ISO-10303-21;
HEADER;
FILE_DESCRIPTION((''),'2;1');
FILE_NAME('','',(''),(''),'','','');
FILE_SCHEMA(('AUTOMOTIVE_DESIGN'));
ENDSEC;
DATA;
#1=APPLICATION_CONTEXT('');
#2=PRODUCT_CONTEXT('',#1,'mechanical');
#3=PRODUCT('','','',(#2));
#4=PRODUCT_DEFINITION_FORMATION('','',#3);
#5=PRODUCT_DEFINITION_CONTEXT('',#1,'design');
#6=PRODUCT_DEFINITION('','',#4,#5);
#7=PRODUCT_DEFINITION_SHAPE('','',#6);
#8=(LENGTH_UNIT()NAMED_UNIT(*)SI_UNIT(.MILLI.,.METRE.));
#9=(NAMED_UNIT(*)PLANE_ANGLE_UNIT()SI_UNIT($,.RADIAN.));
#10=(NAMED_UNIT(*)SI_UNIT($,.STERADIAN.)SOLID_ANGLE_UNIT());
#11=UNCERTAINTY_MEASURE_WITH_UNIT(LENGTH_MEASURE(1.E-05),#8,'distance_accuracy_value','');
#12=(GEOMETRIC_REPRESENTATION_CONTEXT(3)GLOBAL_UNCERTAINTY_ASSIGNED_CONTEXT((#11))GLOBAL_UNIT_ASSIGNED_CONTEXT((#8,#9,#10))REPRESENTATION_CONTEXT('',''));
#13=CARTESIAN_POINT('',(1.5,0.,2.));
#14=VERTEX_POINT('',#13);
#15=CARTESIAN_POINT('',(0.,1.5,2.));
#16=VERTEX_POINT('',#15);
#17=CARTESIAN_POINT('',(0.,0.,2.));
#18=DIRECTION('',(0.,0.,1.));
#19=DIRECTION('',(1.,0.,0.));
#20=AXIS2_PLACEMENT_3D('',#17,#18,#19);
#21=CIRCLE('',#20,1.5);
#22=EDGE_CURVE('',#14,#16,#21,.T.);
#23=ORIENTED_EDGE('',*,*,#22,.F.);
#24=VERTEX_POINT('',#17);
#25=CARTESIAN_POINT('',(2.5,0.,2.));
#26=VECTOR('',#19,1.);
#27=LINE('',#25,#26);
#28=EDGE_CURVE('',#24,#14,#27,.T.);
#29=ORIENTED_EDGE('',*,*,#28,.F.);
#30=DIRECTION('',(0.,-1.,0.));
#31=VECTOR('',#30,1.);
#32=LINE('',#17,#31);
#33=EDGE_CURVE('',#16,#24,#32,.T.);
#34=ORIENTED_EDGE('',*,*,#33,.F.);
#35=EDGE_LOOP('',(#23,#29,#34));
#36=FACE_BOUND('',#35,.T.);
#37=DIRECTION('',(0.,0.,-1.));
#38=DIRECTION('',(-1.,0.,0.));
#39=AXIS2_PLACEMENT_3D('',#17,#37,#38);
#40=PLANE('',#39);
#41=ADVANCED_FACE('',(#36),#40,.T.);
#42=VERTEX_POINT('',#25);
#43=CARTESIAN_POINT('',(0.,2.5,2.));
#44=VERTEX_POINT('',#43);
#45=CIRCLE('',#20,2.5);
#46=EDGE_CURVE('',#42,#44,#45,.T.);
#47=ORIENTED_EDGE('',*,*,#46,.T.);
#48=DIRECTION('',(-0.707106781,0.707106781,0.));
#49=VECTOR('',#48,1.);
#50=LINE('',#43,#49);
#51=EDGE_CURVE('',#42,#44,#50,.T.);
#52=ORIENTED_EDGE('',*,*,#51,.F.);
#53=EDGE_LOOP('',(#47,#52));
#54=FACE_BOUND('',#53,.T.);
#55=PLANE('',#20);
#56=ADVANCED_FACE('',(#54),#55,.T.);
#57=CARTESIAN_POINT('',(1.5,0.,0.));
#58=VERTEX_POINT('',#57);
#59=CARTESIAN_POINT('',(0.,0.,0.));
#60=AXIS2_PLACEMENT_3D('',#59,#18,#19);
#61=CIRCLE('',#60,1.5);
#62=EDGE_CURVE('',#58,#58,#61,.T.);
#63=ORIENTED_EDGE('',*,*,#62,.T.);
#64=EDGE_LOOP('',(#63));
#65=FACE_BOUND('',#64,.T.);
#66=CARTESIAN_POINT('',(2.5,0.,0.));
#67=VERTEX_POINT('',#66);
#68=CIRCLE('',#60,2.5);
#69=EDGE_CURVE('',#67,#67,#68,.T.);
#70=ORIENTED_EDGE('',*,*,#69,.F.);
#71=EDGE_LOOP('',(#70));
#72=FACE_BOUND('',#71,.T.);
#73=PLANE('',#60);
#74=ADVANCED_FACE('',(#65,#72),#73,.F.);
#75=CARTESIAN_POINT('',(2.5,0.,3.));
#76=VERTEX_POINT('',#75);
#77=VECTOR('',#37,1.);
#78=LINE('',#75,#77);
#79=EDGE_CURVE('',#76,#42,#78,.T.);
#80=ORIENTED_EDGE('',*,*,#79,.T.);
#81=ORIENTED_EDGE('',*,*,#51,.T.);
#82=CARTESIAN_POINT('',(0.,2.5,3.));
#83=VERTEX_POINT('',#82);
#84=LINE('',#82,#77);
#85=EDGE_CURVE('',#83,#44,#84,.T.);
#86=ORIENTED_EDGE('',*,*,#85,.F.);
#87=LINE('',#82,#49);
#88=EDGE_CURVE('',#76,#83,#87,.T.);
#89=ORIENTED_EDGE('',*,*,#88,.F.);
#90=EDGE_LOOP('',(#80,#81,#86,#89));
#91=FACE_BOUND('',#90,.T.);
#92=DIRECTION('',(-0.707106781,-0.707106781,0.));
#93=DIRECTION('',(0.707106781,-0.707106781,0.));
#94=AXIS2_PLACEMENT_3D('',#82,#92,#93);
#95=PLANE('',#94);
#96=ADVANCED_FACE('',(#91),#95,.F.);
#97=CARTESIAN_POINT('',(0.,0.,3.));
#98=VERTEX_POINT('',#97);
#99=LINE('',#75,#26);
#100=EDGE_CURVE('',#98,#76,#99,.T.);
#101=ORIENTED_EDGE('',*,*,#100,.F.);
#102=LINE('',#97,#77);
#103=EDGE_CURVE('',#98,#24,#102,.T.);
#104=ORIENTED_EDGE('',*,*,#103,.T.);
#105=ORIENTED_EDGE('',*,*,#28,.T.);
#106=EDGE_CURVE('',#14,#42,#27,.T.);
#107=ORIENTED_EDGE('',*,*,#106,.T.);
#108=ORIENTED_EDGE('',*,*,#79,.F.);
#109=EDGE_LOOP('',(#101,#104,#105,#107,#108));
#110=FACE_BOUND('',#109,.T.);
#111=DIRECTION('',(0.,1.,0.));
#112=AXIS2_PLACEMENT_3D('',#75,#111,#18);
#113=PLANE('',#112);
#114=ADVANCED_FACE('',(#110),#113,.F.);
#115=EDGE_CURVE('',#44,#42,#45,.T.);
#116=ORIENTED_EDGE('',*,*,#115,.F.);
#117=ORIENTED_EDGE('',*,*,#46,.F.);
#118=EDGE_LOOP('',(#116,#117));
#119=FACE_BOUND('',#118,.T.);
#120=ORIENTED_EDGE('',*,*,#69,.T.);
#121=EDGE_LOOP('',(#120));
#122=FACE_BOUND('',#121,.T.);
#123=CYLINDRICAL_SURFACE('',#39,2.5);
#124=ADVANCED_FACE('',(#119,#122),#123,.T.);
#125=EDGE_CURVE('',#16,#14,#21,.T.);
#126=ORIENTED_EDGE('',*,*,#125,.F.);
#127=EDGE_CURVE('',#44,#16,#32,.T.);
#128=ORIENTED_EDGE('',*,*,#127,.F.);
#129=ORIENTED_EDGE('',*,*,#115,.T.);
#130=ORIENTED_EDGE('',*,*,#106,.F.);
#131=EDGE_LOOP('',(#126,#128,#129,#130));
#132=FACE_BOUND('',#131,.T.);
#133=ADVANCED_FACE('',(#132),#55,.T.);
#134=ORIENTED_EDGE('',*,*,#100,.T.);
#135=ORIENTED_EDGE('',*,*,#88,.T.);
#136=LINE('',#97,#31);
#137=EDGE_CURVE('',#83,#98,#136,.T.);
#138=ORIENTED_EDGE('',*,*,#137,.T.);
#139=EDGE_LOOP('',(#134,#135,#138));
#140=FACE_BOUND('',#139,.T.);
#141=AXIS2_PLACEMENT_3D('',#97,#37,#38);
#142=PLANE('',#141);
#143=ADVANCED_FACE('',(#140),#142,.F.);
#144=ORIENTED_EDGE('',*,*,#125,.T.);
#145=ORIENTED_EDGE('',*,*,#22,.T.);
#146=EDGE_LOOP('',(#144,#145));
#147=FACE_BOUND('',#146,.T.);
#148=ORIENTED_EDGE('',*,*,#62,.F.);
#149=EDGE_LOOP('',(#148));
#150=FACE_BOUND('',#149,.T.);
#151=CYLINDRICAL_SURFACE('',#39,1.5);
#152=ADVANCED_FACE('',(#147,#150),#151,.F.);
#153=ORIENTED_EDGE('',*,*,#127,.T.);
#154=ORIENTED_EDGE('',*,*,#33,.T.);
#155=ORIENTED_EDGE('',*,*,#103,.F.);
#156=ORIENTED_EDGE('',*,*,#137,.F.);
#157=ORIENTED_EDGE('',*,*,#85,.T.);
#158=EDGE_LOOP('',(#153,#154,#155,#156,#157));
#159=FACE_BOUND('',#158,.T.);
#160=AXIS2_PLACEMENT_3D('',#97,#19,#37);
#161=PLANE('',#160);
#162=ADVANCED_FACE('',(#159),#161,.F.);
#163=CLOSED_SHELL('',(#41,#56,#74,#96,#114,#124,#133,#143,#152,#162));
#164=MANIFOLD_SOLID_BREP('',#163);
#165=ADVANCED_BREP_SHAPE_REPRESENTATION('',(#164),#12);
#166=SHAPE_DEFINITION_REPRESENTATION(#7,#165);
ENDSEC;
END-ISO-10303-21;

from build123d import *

# Parameters (mm, degrees)
ESQUISSE1_R        = 2.5
ESQUISSE1_R_2      = 1.5
BOSS_EXTRU_1_DEPTH = 2
BOSS_EXTRU_2_DEPTH = 1


with BuildPart() as part:
    # Esquisse1 → Boss.-Extru.1 (new body)
    with BuildSketch(Plane.XY):
        Circle(ESQUISSE1_R)
        Circle(ESQUISSE1_R_2, mode=Mode.SUBTRACT)
    extrude(amount=BOSS_EXTRU_1_DEPTH)

    # Esquisse2 → Boss.-Extru.2 (add)
    with BuildSketch(Plane.XY.offset(2)):
        Polygon((0, 0), (0, 2.5), (2.5, 0), align=None)
    extrude(amount=BOSS_EXTRU_2_DEPTH)


solid = part.part
